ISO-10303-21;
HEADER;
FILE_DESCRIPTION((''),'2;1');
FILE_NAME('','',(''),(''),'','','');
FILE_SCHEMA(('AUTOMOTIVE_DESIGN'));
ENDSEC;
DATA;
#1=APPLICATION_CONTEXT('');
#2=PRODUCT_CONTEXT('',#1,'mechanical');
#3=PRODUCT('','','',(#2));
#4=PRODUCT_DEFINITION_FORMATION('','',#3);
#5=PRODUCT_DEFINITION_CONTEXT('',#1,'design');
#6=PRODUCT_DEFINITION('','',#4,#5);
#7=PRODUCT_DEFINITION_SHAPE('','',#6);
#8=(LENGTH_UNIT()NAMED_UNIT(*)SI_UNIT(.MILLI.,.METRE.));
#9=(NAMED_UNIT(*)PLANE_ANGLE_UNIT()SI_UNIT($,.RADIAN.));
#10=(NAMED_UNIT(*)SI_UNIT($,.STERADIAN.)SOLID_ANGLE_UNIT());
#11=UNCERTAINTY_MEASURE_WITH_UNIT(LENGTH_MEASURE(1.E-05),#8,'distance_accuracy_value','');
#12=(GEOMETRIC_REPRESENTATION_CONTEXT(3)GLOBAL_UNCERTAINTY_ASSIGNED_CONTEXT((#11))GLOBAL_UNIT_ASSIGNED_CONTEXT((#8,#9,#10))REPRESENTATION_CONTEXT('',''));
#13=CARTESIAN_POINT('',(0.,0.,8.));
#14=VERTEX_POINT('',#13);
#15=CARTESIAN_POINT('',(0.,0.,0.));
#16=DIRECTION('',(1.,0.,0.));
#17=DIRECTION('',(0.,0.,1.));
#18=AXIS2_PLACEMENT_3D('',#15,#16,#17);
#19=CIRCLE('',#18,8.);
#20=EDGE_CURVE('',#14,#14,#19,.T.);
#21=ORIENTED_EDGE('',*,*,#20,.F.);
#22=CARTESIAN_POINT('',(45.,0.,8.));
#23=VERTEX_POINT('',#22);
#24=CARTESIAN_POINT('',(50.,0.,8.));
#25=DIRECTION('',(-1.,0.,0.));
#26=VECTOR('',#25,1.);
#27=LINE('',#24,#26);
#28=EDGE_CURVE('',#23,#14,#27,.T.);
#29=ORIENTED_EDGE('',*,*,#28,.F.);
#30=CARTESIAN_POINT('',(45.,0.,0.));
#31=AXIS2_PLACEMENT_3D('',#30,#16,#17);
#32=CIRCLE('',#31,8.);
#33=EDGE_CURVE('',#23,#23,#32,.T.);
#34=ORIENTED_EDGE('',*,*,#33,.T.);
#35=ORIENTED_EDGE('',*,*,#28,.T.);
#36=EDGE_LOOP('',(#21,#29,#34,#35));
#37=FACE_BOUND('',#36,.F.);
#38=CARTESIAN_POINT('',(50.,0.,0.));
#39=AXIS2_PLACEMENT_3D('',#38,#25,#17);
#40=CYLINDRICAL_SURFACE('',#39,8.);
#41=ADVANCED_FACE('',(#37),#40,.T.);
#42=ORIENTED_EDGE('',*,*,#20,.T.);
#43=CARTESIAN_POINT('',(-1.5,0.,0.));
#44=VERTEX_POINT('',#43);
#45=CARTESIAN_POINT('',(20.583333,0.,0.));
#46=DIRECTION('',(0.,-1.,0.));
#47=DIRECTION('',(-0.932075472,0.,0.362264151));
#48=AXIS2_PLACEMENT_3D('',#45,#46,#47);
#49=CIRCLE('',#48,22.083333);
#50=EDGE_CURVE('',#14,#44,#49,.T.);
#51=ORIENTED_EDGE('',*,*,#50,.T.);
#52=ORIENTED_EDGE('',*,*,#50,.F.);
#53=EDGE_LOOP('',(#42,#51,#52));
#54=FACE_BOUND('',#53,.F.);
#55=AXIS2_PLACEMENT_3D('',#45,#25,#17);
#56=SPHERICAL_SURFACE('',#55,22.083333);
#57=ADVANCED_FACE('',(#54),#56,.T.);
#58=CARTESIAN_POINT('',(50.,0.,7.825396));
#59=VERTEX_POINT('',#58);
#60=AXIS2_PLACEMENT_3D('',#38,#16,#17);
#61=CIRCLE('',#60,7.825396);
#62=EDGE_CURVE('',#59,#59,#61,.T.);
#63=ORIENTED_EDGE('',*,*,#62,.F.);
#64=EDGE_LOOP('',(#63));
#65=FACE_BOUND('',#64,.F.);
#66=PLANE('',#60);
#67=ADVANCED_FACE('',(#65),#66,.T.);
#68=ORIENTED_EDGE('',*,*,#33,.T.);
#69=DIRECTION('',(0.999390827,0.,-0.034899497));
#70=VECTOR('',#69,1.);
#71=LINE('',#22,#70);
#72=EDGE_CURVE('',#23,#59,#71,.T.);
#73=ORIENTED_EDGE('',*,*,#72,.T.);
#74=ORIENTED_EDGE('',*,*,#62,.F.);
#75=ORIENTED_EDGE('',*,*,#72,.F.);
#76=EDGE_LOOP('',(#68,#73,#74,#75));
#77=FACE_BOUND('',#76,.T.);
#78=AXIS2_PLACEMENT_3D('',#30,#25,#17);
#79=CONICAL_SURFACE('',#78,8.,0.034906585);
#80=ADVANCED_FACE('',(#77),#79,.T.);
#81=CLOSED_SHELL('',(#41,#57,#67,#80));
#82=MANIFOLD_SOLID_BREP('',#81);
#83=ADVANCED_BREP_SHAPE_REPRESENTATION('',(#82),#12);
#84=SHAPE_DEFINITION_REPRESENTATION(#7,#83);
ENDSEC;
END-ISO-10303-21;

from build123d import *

# Parameters (mm, degrees)
F2_SIZE2 = 0.1746038475
F2_SIZE  = 5


with BuildPart() as f1:
    # F0 (on Front) → F1 (revolve)
    with BuildSketch(Plane.XZ):
        with BuildLine():
            Line((50, 0), (50, 8))
            Line((50, 8), (0, 8))
            ThreePointArc((0, 8), (-1.1217607948, 4.069705149), (-1.5, 0))
            Line((-1.5, 0), (0, 0))
            Line((0, 0), (50, 0))
        make_face()
    revolve(axis=Axis((24.25, 0, 0), (1, 0, 0)))

    # F2
    f2_edges = [f1.edges().sort_by_distance(p)[0] for p in [
        (50, 0, -8),
    ]]
    f2_side = f1.faces().sort_by_distance((25, 0, -8))[0]
    chamfer(f2_edges, length=F2_SIZE, length2=F2_SIZE2, reference=f2_side)


solid = f1.part
